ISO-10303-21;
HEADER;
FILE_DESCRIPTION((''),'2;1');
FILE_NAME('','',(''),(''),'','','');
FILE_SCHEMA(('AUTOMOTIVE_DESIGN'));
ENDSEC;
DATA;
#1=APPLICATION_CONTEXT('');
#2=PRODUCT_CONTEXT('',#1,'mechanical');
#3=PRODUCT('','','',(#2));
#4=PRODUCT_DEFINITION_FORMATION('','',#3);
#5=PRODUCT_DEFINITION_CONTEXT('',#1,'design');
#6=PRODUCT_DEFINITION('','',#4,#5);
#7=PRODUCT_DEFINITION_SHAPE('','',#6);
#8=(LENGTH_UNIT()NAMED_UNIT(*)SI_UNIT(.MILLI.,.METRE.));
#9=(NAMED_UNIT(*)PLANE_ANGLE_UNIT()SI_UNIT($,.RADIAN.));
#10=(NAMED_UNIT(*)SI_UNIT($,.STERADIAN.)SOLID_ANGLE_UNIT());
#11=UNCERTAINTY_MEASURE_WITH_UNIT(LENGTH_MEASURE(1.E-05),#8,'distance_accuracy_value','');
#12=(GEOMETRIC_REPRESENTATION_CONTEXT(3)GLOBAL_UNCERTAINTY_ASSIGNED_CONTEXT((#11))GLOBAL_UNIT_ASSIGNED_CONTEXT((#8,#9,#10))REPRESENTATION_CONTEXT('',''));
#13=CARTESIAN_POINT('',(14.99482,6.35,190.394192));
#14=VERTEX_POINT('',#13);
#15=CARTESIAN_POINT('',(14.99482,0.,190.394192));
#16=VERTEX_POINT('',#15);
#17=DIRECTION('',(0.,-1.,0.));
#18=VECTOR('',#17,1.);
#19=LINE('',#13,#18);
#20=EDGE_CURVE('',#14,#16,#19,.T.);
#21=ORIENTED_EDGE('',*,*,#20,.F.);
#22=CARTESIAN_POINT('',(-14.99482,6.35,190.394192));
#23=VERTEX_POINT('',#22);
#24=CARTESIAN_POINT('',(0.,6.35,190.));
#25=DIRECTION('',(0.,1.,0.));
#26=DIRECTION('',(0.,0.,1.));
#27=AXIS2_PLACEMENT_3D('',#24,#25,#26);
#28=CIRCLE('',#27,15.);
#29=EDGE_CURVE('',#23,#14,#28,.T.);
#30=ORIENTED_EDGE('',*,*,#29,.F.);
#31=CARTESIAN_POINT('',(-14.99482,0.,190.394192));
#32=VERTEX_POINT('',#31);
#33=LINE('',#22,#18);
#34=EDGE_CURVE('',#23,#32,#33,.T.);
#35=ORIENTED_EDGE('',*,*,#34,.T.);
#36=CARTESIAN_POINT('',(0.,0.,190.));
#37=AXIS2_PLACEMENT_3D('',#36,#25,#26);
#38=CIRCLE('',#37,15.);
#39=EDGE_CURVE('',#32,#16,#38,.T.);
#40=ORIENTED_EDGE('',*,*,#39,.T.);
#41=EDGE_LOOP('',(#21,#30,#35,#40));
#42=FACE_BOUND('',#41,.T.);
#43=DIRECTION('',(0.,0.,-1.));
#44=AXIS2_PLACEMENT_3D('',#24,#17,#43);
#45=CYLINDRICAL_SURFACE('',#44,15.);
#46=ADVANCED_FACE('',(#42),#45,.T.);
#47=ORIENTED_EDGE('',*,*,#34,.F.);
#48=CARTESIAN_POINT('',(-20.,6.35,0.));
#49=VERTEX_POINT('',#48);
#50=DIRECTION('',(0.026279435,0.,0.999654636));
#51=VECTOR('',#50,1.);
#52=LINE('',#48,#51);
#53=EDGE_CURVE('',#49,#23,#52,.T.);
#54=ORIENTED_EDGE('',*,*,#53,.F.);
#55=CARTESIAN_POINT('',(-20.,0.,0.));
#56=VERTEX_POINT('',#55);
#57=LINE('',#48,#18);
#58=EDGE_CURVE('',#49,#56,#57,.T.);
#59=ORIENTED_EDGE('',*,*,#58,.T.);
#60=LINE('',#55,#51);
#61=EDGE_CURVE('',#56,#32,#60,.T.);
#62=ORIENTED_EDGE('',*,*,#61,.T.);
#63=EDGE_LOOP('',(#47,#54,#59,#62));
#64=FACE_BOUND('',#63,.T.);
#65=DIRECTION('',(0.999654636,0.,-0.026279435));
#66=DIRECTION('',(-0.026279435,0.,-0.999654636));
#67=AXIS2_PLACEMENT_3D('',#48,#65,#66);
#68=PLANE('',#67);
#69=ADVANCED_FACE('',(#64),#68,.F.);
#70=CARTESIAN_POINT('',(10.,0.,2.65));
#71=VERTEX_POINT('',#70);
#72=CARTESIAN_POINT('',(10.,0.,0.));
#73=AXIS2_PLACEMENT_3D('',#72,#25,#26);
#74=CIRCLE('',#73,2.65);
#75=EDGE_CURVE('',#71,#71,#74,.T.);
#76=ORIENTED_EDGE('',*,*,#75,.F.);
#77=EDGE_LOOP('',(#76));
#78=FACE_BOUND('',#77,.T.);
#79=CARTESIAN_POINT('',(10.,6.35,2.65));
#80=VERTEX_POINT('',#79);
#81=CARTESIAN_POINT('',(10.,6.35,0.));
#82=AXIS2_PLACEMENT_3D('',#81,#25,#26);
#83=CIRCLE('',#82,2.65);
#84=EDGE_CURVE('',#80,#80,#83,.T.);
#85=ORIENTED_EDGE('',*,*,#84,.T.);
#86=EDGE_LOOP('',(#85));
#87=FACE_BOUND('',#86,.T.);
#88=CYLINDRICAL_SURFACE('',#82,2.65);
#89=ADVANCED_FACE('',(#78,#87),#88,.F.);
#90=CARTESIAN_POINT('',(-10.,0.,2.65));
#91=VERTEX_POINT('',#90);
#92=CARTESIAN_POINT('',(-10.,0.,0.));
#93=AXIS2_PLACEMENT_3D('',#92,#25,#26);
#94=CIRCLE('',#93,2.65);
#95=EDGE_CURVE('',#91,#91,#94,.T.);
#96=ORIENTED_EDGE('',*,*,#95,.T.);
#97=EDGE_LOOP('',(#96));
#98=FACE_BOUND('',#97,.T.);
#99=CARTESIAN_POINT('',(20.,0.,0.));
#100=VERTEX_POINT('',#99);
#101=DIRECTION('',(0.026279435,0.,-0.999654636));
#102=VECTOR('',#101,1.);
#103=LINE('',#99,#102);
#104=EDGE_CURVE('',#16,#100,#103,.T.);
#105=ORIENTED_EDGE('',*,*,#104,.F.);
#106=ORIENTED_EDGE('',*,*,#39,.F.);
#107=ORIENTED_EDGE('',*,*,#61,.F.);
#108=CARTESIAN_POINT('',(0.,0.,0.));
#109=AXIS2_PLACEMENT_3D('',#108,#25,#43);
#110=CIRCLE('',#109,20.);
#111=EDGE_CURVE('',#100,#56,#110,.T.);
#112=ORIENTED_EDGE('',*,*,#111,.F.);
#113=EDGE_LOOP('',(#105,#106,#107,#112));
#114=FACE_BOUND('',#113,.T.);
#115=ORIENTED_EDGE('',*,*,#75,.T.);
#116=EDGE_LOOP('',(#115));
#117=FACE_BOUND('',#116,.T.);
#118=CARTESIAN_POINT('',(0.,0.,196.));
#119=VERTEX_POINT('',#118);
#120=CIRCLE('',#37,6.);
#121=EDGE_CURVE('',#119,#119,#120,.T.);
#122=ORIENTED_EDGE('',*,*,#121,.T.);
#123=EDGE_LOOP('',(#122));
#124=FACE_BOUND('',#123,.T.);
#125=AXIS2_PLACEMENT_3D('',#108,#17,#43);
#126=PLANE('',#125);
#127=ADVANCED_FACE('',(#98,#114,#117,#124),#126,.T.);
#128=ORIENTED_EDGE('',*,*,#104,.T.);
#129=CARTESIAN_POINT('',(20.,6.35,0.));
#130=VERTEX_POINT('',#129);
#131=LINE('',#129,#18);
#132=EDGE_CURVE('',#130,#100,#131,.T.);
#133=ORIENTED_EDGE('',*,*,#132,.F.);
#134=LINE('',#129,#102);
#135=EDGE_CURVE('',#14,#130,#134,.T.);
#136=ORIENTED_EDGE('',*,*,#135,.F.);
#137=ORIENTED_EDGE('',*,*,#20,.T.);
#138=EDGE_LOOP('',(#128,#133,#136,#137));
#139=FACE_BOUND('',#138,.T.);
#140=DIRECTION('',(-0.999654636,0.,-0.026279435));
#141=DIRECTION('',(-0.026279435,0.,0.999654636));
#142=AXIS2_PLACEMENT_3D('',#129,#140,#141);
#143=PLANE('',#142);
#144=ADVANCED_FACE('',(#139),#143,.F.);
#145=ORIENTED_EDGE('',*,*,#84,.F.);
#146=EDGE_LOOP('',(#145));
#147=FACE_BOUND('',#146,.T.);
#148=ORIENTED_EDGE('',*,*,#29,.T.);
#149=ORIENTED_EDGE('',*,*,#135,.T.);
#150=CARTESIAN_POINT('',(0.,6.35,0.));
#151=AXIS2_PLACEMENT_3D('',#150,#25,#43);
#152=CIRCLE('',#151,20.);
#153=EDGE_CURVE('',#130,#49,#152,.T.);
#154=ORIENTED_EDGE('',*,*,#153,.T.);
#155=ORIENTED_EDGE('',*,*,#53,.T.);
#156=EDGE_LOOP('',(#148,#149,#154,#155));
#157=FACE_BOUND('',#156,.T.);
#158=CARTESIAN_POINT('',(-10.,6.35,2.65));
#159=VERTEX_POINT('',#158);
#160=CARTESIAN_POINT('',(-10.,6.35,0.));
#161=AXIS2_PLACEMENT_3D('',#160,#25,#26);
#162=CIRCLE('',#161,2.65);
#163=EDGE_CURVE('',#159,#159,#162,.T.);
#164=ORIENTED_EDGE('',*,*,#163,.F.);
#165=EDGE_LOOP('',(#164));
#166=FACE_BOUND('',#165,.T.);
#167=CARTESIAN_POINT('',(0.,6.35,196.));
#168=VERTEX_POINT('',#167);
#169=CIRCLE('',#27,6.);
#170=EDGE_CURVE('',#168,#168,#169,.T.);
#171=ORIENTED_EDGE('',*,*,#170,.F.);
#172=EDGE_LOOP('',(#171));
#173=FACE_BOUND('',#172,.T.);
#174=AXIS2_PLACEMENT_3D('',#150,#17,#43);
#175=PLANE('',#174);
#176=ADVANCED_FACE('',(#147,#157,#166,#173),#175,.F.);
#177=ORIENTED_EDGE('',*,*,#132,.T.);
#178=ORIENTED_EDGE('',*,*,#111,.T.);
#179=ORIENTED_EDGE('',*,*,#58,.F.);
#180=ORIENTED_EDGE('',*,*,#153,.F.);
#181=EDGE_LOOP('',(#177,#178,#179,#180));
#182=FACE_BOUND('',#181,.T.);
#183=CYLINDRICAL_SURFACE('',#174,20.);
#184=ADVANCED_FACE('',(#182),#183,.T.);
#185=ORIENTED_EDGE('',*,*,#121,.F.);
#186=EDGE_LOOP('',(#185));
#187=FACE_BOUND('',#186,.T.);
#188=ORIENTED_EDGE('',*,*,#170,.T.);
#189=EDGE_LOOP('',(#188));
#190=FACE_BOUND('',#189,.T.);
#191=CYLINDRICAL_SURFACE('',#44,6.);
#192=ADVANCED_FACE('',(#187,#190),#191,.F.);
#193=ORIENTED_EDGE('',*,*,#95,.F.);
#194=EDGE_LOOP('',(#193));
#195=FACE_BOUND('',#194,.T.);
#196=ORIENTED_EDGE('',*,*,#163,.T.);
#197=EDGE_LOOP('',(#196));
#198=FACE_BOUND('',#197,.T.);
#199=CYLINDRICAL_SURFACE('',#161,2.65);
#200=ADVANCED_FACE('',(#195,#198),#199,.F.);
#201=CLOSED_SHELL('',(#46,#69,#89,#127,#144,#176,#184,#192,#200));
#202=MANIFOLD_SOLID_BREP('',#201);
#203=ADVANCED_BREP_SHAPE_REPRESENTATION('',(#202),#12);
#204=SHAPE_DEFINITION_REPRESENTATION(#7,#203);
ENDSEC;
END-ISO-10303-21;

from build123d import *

# Parameters (mm, degrees)
SKETCH1_R            = 6
BOSS_EXTRUDE1_DEPTH  = 6.35
M5_CLEARANCE_HOLE1_D = 5.3


with BuildPart() as part:
    # Sketch1 → Boss-Extrude1 (new body)
    with BuildSketch(Plane(origin=(0, 0, 0), x_dir=(1, 0, 0), z_dir=(0, 1, 0))):
        with BuildLine():
            Line((-20, 0), (-14.99481954, -190.394191531))
            ThreePointArc((-14.99481954, -190.394191531), (0, -205), (14.99481954, -190.394191531))
            Line((14.99481954, -190.394191531), (20, 0))
            ThreePointArc((20, 0), (0, 20), (-20, 0))
        make_face()
        with Locations((0, -190)):
            Circle(SKETCH1_R, mode=Mode.SUBTRACT)
    extrude(amount=BOSS_EXTRUDE1_DEPTH)

    # M5 Clearance Hole1 (through all)
    with Locations(Plane(origin=(0, 6.35, 0), x_dir=(1, 0, 0), z_dir=(0, 1, 0))):
        with Locations((-10, 0), (10, 0)):
            Hole(M5_CLEARANCE_HOLE1_D / 2)


solid = part.part
